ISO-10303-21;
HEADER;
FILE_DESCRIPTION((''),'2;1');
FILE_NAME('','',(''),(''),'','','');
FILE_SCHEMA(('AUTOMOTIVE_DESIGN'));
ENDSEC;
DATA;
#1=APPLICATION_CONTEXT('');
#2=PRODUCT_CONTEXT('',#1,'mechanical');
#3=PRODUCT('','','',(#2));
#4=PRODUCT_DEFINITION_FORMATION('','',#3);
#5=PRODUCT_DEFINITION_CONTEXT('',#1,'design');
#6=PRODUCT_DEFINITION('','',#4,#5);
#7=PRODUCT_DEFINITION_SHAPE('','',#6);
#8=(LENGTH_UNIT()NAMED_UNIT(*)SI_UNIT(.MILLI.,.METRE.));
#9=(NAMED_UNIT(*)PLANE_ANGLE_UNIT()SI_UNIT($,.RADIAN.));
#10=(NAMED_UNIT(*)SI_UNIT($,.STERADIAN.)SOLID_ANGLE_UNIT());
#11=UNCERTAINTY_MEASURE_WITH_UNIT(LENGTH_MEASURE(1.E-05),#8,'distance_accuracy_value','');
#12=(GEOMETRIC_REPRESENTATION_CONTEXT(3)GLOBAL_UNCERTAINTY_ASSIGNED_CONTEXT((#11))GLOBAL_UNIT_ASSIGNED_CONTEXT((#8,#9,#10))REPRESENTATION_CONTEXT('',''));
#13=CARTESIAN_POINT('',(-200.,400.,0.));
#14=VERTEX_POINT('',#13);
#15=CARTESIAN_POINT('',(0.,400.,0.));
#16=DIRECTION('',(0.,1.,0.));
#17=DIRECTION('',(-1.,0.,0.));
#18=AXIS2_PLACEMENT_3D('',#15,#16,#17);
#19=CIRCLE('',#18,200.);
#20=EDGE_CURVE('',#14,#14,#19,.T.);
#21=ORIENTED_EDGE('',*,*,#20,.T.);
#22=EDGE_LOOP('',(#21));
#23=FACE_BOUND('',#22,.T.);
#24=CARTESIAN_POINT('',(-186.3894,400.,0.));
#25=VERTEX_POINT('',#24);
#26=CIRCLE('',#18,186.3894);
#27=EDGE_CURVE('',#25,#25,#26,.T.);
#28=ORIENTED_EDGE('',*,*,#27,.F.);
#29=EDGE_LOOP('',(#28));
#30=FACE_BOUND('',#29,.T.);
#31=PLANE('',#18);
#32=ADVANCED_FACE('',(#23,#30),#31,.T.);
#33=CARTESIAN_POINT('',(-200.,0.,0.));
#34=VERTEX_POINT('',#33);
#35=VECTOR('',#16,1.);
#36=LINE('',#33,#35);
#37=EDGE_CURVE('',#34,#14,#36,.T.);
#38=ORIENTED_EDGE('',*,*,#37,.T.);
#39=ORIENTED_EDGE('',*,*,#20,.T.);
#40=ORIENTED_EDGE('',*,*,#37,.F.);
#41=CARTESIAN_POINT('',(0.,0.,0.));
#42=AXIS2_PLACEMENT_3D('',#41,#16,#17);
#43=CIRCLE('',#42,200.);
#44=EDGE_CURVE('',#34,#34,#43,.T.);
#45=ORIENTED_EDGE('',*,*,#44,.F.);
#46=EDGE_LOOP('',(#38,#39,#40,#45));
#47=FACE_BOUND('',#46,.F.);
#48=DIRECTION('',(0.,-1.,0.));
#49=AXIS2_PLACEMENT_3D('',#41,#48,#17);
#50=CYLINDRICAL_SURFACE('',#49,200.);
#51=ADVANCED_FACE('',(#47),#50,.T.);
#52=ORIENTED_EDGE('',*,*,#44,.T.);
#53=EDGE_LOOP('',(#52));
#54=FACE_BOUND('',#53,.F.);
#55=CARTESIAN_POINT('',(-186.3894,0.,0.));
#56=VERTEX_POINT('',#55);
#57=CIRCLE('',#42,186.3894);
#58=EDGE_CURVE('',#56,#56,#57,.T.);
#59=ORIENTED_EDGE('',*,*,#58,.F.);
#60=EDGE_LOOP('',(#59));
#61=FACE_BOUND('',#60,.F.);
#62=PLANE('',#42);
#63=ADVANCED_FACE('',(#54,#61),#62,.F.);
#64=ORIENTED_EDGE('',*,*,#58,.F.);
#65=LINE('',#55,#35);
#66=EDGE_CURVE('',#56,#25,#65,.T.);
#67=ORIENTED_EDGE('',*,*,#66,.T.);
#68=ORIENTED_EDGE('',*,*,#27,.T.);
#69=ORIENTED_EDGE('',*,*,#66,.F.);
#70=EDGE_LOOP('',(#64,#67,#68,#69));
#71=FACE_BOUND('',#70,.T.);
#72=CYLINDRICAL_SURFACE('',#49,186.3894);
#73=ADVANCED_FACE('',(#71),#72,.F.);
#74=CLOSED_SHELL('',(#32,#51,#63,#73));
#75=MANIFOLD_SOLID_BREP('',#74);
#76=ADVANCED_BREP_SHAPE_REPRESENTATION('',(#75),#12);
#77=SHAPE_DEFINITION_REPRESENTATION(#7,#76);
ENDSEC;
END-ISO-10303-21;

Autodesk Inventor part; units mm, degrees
ref_plane "YZ Plane" through (0, 0, 0) normal (1, 0, 0) x (0, 1, 0)
ref_plane "XZ Plane" through (0, 0, 0) normal (0, 1, 0) x (-1, 0, 0)
ref_plane "XY Plane" through (0, 0, 0) normal (0, 0, 1) x (1, 0, 0)
sketch "Sketch1" plane through (0, 0, 0) normal (0, 1, 0) x (-1, 0, 0)
  circle A0 centre (0, 0) radius 200
  circle A1 centre (0, 0) radius 186.3894
  dimension "d0" = 400
  dimension "d1" = 13.6106
extrude "Extrusion1" add sketch "Sketch1" along normal blind 400
properties part number "postBaseForms" material "PVC, Unplasticized"
